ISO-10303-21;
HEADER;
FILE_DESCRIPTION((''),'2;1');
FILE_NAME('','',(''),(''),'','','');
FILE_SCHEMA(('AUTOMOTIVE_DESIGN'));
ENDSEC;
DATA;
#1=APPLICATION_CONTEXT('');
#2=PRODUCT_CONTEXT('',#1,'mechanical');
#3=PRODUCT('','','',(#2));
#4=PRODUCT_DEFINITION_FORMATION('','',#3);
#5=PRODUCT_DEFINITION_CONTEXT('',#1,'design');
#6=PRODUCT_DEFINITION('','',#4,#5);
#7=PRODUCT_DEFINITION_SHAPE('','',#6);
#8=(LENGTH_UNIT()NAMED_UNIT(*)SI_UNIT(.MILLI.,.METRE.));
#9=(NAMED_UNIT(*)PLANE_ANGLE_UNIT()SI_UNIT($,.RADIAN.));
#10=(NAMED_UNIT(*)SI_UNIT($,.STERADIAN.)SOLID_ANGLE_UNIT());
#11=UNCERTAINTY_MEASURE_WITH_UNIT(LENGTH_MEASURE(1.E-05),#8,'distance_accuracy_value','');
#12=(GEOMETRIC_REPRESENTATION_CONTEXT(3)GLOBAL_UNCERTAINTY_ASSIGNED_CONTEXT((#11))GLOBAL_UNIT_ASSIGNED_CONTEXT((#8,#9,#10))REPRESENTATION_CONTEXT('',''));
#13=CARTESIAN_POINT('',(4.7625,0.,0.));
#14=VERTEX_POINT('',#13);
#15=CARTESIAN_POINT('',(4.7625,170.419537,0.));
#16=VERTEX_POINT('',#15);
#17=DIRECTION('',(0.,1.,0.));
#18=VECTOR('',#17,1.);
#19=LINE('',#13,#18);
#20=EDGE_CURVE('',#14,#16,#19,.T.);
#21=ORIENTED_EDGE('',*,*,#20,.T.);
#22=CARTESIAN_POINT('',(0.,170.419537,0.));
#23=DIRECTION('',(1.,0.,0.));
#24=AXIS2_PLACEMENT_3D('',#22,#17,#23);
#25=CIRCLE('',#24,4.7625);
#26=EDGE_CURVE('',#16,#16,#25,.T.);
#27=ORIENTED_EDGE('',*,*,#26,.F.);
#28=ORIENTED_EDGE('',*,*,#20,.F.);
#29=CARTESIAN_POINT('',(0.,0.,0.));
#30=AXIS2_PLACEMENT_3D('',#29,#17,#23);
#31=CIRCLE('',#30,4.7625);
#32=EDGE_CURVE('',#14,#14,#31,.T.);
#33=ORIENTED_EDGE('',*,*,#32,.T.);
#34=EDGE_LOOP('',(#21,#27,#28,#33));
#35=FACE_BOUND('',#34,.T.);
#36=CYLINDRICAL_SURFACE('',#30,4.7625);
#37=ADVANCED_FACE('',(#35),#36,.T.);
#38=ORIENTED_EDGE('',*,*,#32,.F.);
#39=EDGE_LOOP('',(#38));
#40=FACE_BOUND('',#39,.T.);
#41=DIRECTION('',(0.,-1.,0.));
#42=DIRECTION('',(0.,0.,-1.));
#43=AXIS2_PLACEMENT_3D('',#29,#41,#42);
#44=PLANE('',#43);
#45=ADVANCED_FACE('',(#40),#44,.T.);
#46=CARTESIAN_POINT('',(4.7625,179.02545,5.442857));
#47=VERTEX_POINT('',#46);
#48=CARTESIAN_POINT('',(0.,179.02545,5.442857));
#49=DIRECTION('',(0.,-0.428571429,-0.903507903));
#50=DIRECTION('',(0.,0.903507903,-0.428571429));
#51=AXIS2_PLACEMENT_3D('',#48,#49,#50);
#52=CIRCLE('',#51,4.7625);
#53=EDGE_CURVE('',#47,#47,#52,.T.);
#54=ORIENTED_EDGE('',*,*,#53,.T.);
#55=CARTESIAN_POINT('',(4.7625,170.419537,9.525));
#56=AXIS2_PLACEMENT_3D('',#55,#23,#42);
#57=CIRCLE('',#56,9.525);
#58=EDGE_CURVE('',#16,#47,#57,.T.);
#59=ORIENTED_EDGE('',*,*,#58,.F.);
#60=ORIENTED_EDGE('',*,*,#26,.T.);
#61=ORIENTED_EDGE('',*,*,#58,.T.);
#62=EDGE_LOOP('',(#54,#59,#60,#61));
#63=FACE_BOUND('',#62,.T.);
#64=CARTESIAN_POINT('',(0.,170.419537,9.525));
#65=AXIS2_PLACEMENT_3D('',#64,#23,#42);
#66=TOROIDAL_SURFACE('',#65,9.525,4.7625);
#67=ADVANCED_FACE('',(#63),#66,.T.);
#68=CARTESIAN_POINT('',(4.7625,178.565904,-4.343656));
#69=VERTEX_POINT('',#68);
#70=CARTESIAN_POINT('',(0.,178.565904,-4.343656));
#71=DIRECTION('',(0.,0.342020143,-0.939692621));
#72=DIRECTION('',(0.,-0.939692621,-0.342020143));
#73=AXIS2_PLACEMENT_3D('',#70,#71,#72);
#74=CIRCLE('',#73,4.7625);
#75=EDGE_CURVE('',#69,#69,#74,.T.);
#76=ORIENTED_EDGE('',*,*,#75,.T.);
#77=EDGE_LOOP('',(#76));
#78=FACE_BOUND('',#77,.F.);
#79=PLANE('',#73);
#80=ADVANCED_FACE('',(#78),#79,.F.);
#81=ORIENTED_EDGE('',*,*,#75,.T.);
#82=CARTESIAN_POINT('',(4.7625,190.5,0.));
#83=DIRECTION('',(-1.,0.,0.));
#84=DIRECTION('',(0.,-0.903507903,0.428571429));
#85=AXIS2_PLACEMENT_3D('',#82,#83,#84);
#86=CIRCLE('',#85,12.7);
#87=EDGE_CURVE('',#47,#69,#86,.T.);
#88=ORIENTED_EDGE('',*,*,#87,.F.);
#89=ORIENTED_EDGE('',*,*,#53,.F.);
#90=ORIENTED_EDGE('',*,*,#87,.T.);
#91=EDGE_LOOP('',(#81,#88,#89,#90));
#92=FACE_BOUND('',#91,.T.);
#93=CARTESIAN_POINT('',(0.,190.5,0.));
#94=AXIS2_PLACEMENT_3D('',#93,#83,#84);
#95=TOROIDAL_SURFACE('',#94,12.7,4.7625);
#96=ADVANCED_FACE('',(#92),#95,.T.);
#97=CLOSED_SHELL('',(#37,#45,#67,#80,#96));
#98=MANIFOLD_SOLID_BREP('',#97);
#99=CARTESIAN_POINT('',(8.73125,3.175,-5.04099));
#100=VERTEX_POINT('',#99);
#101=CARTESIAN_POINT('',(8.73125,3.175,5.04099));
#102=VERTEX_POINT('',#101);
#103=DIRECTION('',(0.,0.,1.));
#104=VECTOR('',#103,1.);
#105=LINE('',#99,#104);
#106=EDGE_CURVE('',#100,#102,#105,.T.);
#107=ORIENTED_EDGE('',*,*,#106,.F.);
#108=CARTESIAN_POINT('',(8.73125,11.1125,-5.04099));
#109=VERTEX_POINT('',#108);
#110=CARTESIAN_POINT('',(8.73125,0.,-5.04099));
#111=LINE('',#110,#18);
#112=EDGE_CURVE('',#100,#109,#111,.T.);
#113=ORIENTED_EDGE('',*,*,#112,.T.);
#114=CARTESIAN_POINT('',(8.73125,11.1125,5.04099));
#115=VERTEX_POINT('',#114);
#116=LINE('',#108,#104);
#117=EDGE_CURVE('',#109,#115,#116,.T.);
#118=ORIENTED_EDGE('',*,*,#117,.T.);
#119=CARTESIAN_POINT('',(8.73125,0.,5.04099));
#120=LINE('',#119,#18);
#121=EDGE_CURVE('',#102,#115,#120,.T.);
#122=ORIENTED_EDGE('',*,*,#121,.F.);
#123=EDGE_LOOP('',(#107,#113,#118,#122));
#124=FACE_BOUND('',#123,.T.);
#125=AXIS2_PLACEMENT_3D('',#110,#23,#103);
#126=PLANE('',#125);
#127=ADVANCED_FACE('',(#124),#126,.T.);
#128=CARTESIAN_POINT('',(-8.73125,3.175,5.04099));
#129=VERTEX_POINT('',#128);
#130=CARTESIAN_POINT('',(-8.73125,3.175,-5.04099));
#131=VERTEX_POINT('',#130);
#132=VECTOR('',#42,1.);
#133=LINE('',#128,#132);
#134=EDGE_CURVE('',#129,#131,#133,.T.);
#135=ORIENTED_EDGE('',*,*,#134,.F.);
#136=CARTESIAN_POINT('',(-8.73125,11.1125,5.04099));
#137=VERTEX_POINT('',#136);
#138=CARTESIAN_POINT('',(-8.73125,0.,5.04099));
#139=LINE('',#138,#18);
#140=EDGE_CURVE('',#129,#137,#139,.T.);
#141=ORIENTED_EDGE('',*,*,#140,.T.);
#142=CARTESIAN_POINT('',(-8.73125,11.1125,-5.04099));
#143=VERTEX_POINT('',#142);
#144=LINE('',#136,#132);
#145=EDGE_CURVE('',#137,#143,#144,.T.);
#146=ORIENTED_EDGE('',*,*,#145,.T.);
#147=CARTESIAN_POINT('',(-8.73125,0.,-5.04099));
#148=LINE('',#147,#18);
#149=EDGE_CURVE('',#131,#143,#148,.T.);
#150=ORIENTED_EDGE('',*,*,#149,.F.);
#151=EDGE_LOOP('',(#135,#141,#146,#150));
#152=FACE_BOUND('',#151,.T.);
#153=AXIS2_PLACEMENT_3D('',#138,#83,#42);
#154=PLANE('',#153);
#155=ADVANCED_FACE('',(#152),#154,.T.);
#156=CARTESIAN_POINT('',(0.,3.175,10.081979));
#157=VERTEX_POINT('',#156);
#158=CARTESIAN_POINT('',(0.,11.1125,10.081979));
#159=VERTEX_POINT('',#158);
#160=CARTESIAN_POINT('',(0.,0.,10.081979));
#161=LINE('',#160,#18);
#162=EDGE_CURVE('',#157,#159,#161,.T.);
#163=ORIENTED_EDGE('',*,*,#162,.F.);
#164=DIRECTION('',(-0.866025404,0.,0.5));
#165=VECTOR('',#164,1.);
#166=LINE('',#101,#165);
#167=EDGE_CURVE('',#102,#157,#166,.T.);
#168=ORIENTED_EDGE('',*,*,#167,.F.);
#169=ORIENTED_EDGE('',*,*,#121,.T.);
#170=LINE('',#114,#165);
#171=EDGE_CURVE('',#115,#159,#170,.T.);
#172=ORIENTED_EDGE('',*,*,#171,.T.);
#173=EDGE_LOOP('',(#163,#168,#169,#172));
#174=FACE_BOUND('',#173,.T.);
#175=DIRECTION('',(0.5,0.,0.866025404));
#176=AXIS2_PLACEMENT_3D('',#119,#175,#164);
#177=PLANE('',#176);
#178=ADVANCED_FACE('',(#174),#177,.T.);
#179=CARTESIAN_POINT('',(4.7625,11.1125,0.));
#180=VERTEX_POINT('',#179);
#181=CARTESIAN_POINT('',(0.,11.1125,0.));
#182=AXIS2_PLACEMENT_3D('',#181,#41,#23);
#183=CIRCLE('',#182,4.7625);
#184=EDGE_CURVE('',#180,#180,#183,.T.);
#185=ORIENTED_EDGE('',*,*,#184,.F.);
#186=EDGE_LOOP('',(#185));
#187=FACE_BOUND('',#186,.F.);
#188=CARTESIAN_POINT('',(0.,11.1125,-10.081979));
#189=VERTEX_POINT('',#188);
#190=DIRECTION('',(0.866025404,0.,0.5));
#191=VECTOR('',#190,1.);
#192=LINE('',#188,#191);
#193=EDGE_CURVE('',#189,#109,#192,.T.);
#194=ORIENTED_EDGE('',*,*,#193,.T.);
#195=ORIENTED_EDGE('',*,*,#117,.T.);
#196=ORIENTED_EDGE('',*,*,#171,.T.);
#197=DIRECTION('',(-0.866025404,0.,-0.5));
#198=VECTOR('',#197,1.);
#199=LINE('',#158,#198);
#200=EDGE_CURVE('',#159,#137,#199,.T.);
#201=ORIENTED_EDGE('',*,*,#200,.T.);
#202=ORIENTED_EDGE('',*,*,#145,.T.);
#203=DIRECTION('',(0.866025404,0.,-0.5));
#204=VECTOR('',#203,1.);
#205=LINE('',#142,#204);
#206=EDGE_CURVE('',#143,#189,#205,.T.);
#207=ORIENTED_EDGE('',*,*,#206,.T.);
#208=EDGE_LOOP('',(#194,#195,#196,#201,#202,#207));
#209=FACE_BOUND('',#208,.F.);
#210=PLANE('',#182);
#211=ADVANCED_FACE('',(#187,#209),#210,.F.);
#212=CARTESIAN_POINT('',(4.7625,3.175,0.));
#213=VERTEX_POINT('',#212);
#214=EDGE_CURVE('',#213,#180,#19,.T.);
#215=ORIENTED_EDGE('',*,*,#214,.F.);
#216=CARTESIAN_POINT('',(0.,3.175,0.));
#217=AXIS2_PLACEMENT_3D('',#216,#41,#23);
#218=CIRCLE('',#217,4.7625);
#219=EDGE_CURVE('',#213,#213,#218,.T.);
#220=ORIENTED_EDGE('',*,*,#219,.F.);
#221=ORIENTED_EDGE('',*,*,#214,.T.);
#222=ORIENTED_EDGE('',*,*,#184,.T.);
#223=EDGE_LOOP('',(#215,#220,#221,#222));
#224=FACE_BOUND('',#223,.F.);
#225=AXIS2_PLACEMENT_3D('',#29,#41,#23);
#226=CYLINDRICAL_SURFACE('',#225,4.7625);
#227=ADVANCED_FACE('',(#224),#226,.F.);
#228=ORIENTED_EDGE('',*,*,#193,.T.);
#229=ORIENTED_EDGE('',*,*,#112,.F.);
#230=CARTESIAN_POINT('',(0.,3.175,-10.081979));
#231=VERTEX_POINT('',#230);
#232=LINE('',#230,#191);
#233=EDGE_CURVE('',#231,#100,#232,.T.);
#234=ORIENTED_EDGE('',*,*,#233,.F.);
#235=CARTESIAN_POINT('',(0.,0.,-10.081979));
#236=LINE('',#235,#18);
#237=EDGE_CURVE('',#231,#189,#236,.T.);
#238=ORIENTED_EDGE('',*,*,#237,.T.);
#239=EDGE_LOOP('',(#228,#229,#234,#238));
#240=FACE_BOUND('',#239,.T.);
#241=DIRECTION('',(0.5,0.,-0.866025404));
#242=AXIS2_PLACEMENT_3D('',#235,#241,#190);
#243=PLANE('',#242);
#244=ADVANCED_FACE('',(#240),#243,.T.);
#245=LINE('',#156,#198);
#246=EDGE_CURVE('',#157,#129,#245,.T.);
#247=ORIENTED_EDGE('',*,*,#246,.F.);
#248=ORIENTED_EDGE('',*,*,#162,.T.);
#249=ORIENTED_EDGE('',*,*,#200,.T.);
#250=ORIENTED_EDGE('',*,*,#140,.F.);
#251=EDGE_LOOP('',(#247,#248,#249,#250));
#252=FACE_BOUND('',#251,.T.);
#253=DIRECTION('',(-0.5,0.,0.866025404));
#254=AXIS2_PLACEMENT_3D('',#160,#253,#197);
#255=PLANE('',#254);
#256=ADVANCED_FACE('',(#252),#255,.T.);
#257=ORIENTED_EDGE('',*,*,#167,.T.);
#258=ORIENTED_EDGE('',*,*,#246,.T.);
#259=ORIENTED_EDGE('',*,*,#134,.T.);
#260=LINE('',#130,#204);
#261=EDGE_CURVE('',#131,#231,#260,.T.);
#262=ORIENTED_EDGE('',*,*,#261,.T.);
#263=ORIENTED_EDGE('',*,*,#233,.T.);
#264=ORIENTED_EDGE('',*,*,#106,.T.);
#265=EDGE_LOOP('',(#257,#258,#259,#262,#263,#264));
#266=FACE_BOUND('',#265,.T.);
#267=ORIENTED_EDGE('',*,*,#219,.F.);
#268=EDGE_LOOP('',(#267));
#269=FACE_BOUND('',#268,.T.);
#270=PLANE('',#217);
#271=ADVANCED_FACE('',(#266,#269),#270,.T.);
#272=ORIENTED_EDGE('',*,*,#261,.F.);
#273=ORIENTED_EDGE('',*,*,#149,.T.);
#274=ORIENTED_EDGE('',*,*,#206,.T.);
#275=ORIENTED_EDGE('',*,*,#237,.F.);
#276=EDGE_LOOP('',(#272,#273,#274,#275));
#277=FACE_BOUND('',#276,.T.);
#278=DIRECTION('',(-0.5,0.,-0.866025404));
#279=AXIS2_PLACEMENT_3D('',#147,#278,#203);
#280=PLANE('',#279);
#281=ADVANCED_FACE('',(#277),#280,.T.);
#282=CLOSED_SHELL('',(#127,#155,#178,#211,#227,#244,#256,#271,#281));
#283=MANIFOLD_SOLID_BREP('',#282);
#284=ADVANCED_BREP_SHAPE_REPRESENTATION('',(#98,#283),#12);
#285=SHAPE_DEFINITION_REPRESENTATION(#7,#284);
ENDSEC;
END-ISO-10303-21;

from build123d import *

# Parameters (mm, degrees)
F1_R     = 4.7625
F3_R     = 4.7625
F4_DEPTH = 11.1125
F5_DEPTH = 3.175


with BuildPart() as f2:
    # F2: sweep along a path in F0
    with BuildLine(Plane.YZ) as f2_path:
        Line((0, 0), (170.4195368579, 0))
        ThreePointArc((170.4195368579, 0), (175.5108635164, 1.4749057237), (179.0254496331, 5.4428571429))
        ThreePointArc((179.0254496331, 5.4428571429), (203.1860215789, -0.5956983292), (178.565903716, -4.3436558202))
    # F1 (on Front) → F2 (sweep)
    with BuildSketch(Plane.XZ):
        Circle(F1_R)
    sweep(path=f2_path.line)


with BuildPart() as f4:
    # F3 (on face) → F4 (new body)
    with BuildSketch(Plane.XZ):
        Polygon((8.73125, -5.0409895379), (8.73125, 5.0409895379), (0, 10.0819790757), (-8.73125, 5.0409895379), (-8.73125, -5.0409895379), (0, -10.0819790757), align=None)
        Circle(F3_R, mode=Mode.SUBTRACT)
    extrude(amount=-F4_DEPTH)

    # F5 (cut): a face of the model
    f5_faces = [f4.faces().sort_by_distance(p)[0] for p in [
        (8.4645059064, 0, 0),
    ]]
    extrude(f5_faces, amount=-F5_DEPTH, mode=Mode.SUBTRACT)


solid = Compound([f2.part, f4.part])
